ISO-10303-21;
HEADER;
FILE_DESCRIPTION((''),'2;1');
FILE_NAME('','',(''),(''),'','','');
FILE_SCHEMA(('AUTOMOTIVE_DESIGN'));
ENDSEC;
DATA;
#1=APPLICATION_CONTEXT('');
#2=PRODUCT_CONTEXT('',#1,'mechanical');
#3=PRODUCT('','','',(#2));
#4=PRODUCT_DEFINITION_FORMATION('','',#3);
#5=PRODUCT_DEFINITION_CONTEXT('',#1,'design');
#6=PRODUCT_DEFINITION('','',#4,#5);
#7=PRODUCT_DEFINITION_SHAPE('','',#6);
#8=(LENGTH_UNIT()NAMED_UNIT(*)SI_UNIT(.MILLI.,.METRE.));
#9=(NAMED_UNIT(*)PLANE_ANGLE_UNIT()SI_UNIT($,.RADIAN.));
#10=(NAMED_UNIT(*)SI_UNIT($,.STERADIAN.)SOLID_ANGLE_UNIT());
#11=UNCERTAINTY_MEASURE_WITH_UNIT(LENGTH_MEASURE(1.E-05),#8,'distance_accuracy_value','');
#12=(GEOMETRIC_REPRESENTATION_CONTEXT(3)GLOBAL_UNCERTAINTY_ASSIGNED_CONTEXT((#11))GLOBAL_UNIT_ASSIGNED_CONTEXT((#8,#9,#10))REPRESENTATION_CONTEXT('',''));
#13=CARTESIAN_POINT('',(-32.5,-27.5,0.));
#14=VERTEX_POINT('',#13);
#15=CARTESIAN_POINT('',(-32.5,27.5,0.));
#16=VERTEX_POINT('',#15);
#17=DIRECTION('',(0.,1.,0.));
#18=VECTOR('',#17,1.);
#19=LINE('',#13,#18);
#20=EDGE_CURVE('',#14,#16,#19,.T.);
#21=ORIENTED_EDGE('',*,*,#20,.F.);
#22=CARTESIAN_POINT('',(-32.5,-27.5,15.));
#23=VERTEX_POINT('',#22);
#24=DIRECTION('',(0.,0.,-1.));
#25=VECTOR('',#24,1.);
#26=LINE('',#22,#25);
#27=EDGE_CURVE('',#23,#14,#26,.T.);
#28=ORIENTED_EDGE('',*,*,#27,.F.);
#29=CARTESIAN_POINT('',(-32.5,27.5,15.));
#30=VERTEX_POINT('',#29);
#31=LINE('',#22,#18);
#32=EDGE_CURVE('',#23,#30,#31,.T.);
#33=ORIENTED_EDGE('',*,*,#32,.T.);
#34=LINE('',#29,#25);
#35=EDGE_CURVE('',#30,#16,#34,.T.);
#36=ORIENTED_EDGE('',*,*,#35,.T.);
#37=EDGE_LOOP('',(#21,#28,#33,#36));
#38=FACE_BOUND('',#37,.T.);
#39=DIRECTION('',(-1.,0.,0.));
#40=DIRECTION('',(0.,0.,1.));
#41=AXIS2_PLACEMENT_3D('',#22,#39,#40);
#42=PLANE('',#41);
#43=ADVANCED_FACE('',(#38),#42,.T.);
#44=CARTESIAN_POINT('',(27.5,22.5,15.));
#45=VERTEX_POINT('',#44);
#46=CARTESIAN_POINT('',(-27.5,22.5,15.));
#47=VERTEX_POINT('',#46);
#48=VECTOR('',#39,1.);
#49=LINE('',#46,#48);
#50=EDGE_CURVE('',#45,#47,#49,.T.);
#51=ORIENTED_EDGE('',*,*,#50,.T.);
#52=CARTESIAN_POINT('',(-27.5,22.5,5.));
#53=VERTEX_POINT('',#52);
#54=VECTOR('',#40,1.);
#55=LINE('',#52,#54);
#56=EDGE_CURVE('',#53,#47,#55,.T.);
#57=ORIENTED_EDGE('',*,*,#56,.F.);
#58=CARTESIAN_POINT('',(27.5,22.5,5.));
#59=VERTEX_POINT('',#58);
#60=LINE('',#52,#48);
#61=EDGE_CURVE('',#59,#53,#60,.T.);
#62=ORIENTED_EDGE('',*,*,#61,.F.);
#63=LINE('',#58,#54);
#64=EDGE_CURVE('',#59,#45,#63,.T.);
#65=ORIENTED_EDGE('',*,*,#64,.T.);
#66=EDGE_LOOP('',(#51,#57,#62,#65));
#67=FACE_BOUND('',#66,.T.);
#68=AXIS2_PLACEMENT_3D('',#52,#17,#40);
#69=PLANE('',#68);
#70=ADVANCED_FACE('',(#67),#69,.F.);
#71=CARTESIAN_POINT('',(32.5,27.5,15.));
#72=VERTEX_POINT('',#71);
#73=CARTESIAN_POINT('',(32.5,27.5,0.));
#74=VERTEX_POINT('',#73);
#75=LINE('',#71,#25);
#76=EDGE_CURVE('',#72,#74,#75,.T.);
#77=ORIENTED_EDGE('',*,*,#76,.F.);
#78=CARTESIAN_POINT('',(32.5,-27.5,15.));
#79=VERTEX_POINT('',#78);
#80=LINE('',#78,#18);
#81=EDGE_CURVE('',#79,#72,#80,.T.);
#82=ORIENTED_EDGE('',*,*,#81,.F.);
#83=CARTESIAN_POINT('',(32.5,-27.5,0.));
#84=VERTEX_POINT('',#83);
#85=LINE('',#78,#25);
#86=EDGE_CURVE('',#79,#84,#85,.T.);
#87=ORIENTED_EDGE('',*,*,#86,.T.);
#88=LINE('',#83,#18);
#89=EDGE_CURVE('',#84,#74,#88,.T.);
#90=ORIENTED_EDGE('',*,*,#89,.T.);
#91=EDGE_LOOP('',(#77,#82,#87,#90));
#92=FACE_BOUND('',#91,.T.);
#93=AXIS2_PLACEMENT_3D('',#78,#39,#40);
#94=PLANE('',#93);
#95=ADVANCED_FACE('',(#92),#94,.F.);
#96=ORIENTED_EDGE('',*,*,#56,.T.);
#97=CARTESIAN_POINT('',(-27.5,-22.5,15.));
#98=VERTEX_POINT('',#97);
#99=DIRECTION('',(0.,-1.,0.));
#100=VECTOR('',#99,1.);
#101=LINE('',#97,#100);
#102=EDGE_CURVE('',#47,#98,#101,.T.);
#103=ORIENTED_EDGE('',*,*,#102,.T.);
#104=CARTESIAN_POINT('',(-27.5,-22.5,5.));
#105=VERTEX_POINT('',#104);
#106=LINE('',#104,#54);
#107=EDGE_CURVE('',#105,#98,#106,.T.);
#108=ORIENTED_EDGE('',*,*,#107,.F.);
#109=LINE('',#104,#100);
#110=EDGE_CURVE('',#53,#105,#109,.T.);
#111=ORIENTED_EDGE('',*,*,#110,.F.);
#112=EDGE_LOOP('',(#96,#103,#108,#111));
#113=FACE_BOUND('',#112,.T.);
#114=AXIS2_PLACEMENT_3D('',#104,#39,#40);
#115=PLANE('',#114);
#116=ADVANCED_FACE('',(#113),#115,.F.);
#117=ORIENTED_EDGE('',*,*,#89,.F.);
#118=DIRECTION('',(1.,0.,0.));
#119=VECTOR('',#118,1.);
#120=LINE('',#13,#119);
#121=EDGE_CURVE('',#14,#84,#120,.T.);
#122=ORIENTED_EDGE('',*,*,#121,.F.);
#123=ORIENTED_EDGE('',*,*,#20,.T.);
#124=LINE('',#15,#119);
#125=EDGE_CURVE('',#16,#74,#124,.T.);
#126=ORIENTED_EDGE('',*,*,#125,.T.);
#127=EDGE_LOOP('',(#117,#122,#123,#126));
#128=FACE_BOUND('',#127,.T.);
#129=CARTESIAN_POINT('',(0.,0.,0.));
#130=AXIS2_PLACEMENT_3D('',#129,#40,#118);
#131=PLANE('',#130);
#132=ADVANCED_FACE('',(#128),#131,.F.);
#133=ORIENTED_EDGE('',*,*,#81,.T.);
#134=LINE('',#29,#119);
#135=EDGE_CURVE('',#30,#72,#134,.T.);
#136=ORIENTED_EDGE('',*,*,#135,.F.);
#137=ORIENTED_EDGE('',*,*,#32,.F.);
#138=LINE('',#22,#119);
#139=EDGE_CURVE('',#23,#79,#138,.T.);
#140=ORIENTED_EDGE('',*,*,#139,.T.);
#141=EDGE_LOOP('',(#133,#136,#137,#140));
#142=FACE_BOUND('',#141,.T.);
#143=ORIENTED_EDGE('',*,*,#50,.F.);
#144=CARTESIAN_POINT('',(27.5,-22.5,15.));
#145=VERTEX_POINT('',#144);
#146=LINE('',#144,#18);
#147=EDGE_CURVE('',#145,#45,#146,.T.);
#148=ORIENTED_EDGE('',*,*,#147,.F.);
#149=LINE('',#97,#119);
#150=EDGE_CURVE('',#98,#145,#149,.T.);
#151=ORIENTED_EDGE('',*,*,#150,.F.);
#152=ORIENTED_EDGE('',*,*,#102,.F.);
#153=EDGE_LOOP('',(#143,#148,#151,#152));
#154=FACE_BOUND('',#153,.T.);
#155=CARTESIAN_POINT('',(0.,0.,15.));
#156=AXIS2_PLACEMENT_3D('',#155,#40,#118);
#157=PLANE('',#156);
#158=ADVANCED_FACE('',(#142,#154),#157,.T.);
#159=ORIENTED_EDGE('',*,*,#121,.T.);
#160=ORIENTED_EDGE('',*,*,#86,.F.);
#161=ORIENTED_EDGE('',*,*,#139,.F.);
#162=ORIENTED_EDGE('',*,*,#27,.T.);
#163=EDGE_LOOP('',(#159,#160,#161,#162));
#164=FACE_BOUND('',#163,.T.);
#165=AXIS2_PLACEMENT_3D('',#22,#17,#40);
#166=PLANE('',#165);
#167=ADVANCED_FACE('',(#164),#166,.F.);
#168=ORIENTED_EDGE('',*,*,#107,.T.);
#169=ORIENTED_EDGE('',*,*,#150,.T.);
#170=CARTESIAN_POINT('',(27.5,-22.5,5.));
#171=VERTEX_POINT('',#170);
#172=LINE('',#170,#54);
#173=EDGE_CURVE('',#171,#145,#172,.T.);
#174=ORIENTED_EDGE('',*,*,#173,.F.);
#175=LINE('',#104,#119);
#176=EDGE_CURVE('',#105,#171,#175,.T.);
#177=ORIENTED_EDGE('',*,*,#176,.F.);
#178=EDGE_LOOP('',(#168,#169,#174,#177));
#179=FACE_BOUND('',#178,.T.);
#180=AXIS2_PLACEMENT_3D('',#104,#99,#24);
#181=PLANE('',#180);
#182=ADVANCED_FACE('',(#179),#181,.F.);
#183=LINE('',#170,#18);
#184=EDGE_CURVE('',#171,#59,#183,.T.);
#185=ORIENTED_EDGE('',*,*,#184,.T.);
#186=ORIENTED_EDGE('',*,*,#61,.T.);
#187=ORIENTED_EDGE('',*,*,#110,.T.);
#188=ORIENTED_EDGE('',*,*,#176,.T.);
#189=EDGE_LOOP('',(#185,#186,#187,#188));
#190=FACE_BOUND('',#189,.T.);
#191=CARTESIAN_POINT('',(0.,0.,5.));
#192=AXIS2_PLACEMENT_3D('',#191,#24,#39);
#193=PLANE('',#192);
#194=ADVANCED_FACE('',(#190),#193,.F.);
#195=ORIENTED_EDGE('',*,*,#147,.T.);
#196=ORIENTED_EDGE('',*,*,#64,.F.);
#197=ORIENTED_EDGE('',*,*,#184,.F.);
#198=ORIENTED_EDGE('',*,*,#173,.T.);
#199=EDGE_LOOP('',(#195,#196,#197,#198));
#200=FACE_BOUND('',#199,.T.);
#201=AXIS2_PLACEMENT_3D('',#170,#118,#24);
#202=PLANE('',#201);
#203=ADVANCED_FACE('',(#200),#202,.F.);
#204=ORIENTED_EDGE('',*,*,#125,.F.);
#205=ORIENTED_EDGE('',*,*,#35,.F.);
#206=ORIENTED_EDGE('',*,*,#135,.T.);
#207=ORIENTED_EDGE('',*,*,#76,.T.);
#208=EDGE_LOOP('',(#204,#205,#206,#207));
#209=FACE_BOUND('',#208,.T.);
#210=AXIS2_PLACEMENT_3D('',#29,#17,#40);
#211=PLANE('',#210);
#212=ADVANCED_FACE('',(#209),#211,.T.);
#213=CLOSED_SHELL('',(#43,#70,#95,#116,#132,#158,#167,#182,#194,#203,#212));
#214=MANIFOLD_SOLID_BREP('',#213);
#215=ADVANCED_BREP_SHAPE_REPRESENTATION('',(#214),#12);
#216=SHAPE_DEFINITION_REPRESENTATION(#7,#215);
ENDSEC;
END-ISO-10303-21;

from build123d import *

# Parameters (mm, degrees)
ESQUISSE1_W             = 65
ESQUISSE1_H             = 55
BOSS_EXTRU_1_DEPTH      = 15
ESQUISSE2_W             = 55
ESQUISSE2_H             = 45
ENL_V_MAT_EXTRU_1_DEPTH = 10


with BuildPart() as part:
    # Esquisse1 → Boss.-Extru.1 (new body)
    with BuildSketch(Plane.XY):
        Rectangle(ESQUISSE1_W, ESQUISSE1_H)
    extrude(amount=BOSS_EXTRU_1_DEPTH)

    # Esquisse2 → Enlèv. mat.-Extru.1 (cut)
    with BuildSketch(Plane.XY.offset(15)):
        Rectangle(ESQUISSE2_W, ESQUISSE2_H)
    extrude(amount=-ENL_V_MAT_EXTRU_1_DEPTH, mode=Mode.SUBTRACT)


solid = part.part
